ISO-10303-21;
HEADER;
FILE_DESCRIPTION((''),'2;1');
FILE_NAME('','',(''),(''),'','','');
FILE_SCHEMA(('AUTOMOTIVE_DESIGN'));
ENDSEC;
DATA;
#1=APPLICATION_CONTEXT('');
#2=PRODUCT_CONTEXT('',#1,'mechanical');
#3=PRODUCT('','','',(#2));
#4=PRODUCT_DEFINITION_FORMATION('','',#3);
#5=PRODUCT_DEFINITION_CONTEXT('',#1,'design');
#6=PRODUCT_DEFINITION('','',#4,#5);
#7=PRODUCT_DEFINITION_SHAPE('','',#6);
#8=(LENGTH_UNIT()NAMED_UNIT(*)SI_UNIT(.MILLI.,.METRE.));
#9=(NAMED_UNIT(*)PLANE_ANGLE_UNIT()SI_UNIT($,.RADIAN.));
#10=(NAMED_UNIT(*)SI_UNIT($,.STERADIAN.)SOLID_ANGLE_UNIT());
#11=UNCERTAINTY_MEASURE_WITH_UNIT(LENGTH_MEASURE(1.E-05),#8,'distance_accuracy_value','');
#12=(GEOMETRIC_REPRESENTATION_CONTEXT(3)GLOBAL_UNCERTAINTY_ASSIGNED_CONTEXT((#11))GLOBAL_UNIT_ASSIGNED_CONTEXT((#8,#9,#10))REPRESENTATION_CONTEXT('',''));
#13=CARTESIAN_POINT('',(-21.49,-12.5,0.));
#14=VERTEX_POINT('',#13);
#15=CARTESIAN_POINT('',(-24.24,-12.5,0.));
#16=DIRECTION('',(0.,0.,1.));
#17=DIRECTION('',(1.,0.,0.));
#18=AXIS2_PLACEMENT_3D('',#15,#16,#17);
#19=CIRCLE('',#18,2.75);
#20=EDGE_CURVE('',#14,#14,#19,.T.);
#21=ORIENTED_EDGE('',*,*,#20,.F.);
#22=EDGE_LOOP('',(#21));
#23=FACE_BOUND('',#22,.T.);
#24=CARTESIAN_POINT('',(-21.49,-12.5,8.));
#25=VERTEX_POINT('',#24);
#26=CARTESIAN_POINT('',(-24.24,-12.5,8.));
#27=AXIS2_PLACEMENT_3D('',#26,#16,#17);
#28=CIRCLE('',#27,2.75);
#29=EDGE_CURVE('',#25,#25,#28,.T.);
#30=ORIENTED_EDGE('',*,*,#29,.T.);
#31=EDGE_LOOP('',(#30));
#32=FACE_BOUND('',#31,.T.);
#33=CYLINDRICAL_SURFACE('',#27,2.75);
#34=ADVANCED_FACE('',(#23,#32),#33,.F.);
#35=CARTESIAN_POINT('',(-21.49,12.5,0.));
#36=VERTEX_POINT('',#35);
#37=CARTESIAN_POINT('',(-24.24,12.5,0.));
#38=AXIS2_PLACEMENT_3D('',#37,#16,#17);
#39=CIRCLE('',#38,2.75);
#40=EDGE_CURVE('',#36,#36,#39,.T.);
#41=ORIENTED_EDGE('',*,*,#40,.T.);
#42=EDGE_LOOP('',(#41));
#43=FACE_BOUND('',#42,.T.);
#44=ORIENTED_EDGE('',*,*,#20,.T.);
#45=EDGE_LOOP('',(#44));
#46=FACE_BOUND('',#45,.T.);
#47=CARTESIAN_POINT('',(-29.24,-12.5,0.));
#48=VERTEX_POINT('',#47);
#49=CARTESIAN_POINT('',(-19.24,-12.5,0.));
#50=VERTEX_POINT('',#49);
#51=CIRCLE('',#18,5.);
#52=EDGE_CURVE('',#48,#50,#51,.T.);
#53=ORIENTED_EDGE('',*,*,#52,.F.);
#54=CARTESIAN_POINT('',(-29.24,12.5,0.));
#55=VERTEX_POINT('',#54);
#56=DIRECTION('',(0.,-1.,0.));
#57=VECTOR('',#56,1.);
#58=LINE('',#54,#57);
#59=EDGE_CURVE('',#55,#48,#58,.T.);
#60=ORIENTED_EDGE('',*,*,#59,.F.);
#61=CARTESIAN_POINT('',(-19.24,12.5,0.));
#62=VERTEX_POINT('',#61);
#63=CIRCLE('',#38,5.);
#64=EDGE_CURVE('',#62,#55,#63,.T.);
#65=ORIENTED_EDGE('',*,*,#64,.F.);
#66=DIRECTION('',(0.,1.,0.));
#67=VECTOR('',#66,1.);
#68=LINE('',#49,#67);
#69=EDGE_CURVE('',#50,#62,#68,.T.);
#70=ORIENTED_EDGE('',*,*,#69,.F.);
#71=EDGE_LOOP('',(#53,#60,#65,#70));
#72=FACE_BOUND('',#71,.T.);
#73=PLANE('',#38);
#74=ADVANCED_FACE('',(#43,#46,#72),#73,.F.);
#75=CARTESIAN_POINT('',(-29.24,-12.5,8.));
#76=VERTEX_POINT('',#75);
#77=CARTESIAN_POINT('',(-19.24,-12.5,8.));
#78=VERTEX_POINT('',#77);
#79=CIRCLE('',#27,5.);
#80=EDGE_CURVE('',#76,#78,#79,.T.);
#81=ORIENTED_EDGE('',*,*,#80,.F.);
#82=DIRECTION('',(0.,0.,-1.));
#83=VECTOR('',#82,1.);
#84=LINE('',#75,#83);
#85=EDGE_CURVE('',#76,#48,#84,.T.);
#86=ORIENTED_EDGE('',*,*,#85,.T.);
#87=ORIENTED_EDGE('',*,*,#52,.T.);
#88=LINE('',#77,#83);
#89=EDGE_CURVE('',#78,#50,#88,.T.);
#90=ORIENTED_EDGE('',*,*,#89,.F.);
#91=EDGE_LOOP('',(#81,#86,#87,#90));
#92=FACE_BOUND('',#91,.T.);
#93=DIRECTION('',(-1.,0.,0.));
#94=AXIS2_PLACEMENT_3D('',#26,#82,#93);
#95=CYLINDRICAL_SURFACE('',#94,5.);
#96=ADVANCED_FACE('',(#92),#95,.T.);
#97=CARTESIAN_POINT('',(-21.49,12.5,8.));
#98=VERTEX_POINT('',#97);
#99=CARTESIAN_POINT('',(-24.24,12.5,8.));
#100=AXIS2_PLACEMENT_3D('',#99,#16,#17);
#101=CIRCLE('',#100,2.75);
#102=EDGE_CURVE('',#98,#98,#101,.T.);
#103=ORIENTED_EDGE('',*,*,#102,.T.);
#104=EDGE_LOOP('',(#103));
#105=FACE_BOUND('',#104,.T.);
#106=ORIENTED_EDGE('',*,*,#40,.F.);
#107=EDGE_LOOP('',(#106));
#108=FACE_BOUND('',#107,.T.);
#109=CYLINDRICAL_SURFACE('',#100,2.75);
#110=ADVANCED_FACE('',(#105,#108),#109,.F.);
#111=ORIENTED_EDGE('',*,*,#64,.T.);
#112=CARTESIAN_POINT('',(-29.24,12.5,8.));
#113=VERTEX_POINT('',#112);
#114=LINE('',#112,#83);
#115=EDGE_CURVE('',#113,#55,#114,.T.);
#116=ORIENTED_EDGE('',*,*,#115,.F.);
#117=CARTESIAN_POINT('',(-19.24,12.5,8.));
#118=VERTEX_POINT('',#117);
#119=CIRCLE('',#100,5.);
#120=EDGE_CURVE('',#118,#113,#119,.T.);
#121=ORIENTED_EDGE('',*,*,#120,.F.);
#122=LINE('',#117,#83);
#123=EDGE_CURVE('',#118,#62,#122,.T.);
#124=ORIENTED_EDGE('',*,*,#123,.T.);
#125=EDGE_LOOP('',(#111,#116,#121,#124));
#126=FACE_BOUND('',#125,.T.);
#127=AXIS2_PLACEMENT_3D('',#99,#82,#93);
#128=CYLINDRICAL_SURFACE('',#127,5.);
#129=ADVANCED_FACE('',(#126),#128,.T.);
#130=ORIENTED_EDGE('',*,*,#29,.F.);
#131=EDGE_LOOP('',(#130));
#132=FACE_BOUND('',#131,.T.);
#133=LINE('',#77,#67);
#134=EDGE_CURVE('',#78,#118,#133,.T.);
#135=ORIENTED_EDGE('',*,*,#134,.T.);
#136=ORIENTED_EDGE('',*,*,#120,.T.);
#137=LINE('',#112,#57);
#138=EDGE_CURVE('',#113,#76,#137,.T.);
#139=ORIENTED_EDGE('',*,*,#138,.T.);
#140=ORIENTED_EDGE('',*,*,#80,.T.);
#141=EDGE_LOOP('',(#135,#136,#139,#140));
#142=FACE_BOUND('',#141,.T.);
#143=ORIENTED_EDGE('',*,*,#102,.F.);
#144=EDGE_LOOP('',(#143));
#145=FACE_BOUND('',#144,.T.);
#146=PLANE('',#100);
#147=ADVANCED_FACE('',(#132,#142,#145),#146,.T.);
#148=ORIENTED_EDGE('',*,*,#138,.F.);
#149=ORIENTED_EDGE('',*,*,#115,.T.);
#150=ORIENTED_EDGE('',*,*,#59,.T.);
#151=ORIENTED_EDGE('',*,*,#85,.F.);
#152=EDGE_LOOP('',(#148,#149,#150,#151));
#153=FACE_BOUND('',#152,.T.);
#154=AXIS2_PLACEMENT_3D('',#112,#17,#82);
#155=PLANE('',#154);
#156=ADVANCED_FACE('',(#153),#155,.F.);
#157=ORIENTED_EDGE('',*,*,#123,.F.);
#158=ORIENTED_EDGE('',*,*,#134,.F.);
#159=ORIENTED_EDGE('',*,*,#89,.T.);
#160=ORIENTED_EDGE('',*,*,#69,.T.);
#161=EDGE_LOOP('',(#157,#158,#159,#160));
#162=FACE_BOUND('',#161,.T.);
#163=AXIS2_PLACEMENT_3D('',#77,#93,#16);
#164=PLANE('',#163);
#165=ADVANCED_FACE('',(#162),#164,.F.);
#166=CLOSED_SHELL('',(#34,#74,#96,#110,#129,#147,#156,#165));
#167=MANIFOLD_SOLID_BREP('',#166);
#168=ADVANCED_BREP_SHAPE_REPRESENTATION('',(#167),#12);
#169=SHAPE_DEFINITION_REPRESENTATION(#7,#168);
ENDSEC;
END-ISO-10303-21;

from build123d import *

# Parameters (mm, degrees)
BOSS_EXTRUDE1_DEPTH  = 8
M5_CLEARANCE_HOLE1_D = 5.5


with BuildPart() as part:
    # Sketch1 → Boss-Extrude1 (new body)
    with BuildSketch(Plane.XY):
        with BuildLine():
            Line((-29.24, 12.5), (-29.24, -12.5))
            ThreePointArc((-29.24, -12.5), (-24.24, -17.5), (-19.24, -12.5))
            Line((-19.24, -12.5), (-19.24, 12.5))
            ThreePointArc((-19.24, 12.5), (-24.24, 17.5), (-29.24, 12.5))
        make_face()
    extrude(amount=BOSS_EXTRUDE1_DEPTH)

    # M5 Clearance Hole1 (through all)
    with Locations(Plane.XY.offset(8)):
        with Locations((-24.24, -12.5), (-24.24, 12.5)):
            Hole(M5_CLEARANCE_HOLE1_D / 2)


solid = part.part
